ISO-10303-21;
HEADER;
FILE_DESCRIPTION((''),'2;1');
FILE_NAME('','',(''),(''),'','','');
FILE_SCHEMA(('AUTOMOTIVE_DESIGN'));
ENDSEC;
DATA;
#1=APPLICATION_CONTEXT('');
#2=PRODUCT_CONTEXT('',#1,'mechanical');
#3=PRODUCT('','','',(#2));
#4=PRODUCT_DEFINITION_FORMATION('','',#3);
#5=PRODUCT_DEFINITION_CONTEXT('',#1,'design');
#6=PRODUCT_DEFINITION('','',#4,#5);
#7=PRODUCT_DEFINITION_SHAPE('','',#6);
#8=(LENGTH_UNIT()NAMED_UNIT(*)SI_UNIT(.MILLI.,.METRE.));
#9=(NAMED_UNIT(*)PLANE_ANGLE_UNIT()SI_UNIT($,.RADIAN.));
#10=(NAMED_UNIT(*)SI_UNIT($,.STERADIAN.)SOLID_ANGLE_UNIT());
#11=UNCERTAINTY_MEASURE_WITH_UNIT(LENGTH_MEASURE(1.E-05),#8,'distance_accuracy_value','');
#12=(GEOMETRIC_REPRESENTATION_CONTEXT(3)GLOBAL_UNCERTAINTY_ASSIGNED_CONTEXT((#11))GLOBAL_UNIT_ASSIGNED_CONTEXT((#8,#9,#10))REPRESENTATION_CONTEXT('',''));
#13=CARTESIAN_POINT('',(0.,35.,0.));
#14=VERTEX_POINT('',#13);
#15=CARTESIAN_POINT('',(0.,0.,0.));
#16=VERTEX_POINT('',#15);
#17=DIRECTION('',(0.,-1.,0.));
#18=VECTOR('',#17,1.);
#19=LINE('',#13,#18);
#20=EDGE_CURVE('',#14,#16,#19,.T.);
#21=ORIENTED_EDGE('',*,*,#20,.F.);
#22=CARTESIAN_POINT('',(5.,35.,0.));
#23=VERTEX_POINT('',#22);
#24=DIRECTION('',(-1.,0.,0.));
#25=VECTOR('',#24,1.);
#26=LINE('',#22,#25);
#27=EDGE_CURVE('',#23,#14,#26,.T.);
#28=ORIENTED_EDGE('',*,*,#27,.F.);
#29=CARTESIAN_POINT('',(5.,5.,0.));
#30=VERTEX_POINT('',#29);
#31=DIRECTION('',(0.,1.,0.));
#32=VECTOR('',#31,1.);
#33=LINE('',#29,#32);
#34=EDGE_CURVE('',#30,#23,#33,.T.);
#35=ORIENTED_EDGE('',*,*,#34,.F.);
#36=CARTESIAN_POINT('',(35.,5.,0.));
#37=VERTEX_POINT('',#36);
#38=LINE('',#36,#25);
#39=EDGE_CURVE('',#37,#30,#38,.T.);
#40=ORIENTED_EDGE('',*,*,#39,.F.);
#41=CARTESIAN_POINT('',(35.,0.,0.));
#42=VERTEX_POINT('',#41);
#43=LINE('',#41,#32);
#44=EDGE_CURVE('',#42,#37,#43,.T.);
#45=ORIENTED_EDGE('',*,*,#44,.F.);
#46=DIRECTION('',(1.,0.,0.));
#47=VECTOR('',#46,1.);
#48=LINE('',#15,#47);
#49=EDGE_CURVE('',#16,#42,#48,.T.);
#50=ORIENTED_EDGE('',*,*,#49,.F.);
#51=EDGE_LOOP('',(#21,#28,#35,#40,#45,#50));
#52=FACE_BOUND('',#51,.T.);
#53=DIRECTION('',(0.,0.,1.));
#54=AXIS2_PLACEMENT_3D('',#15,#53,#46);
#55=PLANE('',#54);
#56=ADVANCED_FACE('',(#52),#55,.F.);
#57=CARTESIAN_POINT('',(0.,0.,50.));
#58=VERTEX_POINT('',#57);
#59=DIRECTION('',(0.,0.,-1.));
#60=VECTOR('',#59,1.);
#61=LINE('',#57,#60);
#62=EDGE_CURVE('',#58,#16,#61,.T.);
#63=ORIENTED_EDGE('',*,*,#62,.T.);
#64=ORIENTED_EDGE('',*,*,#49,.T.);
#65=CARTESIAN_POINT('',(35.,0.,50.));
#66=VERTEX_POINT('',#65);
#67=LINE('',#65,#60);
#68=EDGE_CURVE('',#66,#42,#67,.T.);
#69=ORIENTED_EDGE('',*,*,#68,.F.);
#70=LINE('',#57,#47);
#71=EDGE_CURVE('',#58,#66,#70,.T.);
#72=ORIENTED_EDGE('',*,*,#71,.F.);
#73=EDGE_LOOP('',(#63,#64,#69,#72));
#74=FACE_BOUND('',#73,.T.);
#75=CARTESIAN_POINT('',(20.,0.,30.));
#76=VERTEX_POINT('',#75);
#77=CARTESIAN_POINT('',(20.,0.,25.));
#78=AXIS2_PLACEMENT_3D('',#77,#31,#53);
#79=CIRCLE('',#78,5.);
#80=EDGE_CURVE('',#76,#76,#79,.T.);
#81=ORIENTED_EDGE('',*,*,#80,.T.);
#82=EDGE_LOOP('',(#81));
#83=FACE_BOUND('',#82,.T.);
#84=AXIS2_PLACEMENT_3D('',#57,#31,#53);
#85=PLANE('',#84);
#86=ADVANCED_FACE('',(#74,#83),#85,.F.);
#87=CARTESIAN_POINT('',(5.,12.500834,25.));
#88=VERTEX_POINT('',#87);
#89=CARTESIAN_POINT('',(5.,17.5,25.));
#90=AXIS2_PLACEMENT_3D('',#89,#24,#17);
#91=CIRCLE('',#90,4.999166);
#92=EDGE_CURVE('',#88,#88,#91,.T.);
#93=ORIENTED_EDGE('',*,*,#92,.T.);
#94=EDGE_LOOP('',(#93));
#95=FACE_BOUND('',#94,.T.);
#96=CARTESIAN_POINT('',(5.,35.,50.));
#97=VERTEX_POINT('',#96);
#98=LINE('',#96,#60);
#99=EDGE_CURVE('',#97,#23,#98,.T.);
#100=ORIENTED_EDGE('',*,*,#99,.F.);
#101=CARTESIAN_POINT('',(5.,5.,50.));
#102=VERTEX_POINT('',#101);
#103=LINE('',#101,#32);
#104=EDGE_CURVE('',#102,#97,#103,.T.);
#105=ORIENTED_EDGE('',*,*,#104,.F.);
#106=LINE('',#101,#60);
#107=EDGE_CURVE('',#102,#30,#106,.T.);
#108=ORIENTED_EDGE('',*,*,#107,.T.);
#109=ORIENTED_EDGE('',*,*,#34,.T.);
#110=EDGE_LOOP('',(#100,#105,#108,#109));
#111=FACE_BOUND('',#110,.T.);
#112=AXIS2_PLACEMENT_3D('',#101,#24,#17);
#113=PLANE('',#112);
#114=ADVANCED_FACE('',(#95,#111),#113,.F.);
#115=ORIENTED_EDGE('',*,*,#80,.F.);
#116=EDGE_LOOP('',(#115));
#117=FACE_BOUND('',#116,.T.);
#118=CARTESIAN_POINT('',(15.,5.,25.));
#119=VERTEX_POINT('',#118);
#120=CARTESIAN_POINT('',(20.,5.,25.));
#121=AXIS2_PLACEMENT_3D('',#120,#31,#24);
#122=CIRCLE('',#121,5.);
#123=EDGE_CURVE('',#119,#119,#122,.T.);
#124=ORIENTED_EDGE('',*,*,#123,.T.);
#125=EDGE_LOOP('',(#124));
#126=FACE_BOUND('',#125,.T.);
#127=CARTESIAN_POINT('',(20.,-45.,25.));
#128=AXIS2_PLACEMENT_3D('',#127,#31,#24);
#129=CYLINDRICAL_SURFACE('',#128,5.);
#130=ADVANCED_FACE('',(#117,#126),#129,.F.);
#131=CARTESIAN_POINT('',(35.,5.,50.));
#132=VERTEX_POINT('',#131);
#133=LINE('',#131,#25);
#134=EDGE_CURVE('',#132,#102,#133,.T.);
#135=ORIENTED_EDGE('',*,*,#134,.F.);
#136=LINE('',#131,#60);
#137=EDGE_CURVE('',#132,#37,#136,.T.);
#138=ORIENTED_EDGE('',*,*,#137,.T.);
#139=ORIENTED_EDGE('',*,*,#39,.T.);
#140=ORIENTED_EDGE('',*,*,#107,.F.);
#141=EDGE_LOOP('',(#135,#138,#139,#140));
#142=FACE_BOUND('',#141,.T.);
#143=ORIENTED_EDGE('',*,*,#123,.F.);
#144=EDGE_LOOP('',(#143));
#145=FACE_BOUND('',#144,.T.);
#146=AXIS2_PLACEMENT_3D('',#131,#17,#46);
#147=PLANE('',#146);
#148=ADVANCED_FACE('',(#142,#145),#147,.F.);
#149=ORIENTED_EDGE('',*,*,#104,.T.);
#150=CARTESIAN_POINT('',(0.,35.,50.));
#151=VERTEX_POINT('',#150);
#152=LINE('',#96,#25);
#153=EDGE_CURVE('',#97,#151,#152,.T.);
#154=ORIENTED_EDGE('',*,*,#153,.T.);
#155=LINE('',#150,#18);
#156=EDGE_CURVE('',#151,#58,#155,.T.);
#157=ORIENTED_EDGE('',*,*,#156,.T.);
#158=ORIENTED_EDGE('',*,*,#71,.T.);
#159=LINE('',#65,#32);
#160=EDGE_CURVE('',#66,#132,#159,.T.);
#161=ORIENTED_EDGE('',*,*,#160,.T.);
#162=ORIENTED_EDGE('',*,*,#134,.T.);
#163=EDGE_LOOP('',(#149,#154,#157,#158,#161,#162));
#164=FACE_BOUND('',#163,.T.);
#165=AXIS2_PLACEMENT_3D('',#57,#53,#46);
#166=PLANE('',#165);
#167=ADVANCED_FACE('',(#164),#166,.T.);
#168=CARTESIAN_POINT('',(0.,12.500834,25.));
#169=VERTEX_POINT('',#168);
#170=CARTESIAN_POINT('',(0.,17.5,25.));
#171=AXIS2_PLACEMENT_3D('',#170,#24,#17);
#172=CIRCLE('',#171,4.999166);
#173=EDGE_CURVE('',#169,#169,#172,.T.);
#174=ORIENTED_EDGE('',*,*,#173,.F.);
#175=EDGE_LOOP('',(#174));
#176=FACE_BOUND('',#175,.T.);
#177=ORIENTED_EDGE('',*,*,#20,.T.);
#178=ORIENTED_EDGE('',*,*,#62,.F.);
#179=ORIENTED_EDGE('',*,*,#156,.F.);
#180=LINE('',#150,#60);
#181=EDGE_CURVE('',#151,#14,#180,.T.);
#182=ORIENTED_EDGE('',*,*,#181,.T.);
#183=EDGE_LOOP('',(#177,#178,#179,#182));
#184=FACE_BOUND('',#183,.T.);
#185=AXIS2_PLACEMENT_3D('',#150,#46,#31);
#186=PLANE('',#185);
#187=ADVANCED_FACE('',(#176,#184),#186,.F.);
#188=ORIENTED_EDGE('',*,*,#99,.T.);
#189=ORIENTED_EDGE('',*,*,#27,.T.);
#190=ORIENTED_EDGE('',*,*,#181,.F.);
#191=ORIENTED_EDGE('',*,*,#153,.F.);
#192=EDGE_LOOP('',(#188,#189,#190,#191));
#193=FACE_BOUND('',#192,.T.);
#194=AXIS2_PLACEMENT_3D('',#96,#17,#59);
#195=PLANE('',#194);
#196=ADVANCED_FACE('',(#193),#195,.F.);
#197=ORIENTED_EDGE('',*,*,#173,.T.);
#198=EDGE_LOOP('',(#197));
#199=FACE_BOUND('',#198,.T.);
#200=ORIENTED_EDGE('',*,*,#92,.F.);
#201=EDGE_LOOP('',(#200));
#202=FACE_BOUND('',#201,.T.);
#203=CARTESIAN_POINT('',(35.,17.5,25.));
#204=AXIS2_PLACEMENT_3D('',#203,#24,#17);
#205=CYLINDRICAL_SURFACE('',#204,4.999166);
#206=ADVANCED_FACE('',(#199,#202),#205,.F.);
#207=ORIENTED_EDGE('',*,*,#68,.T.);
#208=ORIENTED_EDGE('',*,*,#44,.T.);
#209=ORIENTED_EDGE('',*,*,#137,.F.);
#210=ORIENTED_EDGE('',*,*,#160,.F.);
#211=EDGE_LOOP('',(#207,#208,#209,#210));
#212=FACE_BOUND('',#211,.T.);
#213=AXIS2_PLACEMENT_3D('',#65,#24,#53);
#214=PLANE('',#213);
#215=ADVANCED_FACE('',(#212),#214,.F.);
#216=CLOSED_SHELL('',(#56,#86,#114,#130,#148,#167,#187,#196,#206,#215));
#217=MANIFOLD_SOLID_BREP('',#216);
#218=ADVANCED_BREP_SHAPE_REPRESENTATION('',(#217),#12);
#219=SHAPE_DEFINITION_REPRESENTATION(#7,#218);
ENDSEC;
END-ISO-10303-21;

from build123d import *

# Parameters (mm, degrees)
BOSS_EXTRUDE1_DEPTH = 50
CUT_EXTRUDE1_DEPTH  = 71.356236397
CUT_EXTRUDE2_DEPTH  = 50


with BuildPart() as part:
    # Sketch1 → Boss-Extrude1 (new body)
    with BuildSketch(Plane.XY):
        Polygon((0, 0), (35, 0), (35, 5), (5, 5), (5, 35), (0, 35), align=None)
    extrude(amount=BOSS_EXTRUDE1_DEPTH)

    # Sketch3 → Cut-Extrude1 (cut, through all)
    with BuildSketch(Plane.ZY):
        with BuildLine():
            ThreePointArc((29.999165768, 17.5), (28.534944015, 21.034944015), (25, 22.499165768))
            Line((25, 22.499165768), (25, 12.500834232))
            ThreePointArc((25, 12.500834232), (28.534944015, 13.965055985), (29.999165768, 17.5))
        make_face()
        with BuildLine():
            Line((25, 12.500834232), (25, 22.499165768))
            ThreePointArc((25, 22.499165768), (20.000834232, 17.5), (25, 12.500834232))
        make_face()
    extrude(amount=-CUT_EXTRUDE1_DEPTH, mode=Mode.SUBTRACT)

    # Sketch2 → Cut-Extrude2 (cut)
    with BuildSketch(Plane(origin=(0, 5, 0), x_dir=(1, 0, 0), z_dir=(0, 1, 0))):
        with BuildLine():
            ThreePointArc((15, -25), (20, -30), (25, -25))
            Line((25, -25), (15, -25))
        make_face()
        with BuildLine():
            Line((15, -25), (25, -25))
            ThreePointArc((25, -25), (20, -20), (15, -25))
        make_face()
    extrude(amount=-CUT_EXTRUDE2_DEPTH, mode=Mode.SUBTRACT)


solid = part.part
